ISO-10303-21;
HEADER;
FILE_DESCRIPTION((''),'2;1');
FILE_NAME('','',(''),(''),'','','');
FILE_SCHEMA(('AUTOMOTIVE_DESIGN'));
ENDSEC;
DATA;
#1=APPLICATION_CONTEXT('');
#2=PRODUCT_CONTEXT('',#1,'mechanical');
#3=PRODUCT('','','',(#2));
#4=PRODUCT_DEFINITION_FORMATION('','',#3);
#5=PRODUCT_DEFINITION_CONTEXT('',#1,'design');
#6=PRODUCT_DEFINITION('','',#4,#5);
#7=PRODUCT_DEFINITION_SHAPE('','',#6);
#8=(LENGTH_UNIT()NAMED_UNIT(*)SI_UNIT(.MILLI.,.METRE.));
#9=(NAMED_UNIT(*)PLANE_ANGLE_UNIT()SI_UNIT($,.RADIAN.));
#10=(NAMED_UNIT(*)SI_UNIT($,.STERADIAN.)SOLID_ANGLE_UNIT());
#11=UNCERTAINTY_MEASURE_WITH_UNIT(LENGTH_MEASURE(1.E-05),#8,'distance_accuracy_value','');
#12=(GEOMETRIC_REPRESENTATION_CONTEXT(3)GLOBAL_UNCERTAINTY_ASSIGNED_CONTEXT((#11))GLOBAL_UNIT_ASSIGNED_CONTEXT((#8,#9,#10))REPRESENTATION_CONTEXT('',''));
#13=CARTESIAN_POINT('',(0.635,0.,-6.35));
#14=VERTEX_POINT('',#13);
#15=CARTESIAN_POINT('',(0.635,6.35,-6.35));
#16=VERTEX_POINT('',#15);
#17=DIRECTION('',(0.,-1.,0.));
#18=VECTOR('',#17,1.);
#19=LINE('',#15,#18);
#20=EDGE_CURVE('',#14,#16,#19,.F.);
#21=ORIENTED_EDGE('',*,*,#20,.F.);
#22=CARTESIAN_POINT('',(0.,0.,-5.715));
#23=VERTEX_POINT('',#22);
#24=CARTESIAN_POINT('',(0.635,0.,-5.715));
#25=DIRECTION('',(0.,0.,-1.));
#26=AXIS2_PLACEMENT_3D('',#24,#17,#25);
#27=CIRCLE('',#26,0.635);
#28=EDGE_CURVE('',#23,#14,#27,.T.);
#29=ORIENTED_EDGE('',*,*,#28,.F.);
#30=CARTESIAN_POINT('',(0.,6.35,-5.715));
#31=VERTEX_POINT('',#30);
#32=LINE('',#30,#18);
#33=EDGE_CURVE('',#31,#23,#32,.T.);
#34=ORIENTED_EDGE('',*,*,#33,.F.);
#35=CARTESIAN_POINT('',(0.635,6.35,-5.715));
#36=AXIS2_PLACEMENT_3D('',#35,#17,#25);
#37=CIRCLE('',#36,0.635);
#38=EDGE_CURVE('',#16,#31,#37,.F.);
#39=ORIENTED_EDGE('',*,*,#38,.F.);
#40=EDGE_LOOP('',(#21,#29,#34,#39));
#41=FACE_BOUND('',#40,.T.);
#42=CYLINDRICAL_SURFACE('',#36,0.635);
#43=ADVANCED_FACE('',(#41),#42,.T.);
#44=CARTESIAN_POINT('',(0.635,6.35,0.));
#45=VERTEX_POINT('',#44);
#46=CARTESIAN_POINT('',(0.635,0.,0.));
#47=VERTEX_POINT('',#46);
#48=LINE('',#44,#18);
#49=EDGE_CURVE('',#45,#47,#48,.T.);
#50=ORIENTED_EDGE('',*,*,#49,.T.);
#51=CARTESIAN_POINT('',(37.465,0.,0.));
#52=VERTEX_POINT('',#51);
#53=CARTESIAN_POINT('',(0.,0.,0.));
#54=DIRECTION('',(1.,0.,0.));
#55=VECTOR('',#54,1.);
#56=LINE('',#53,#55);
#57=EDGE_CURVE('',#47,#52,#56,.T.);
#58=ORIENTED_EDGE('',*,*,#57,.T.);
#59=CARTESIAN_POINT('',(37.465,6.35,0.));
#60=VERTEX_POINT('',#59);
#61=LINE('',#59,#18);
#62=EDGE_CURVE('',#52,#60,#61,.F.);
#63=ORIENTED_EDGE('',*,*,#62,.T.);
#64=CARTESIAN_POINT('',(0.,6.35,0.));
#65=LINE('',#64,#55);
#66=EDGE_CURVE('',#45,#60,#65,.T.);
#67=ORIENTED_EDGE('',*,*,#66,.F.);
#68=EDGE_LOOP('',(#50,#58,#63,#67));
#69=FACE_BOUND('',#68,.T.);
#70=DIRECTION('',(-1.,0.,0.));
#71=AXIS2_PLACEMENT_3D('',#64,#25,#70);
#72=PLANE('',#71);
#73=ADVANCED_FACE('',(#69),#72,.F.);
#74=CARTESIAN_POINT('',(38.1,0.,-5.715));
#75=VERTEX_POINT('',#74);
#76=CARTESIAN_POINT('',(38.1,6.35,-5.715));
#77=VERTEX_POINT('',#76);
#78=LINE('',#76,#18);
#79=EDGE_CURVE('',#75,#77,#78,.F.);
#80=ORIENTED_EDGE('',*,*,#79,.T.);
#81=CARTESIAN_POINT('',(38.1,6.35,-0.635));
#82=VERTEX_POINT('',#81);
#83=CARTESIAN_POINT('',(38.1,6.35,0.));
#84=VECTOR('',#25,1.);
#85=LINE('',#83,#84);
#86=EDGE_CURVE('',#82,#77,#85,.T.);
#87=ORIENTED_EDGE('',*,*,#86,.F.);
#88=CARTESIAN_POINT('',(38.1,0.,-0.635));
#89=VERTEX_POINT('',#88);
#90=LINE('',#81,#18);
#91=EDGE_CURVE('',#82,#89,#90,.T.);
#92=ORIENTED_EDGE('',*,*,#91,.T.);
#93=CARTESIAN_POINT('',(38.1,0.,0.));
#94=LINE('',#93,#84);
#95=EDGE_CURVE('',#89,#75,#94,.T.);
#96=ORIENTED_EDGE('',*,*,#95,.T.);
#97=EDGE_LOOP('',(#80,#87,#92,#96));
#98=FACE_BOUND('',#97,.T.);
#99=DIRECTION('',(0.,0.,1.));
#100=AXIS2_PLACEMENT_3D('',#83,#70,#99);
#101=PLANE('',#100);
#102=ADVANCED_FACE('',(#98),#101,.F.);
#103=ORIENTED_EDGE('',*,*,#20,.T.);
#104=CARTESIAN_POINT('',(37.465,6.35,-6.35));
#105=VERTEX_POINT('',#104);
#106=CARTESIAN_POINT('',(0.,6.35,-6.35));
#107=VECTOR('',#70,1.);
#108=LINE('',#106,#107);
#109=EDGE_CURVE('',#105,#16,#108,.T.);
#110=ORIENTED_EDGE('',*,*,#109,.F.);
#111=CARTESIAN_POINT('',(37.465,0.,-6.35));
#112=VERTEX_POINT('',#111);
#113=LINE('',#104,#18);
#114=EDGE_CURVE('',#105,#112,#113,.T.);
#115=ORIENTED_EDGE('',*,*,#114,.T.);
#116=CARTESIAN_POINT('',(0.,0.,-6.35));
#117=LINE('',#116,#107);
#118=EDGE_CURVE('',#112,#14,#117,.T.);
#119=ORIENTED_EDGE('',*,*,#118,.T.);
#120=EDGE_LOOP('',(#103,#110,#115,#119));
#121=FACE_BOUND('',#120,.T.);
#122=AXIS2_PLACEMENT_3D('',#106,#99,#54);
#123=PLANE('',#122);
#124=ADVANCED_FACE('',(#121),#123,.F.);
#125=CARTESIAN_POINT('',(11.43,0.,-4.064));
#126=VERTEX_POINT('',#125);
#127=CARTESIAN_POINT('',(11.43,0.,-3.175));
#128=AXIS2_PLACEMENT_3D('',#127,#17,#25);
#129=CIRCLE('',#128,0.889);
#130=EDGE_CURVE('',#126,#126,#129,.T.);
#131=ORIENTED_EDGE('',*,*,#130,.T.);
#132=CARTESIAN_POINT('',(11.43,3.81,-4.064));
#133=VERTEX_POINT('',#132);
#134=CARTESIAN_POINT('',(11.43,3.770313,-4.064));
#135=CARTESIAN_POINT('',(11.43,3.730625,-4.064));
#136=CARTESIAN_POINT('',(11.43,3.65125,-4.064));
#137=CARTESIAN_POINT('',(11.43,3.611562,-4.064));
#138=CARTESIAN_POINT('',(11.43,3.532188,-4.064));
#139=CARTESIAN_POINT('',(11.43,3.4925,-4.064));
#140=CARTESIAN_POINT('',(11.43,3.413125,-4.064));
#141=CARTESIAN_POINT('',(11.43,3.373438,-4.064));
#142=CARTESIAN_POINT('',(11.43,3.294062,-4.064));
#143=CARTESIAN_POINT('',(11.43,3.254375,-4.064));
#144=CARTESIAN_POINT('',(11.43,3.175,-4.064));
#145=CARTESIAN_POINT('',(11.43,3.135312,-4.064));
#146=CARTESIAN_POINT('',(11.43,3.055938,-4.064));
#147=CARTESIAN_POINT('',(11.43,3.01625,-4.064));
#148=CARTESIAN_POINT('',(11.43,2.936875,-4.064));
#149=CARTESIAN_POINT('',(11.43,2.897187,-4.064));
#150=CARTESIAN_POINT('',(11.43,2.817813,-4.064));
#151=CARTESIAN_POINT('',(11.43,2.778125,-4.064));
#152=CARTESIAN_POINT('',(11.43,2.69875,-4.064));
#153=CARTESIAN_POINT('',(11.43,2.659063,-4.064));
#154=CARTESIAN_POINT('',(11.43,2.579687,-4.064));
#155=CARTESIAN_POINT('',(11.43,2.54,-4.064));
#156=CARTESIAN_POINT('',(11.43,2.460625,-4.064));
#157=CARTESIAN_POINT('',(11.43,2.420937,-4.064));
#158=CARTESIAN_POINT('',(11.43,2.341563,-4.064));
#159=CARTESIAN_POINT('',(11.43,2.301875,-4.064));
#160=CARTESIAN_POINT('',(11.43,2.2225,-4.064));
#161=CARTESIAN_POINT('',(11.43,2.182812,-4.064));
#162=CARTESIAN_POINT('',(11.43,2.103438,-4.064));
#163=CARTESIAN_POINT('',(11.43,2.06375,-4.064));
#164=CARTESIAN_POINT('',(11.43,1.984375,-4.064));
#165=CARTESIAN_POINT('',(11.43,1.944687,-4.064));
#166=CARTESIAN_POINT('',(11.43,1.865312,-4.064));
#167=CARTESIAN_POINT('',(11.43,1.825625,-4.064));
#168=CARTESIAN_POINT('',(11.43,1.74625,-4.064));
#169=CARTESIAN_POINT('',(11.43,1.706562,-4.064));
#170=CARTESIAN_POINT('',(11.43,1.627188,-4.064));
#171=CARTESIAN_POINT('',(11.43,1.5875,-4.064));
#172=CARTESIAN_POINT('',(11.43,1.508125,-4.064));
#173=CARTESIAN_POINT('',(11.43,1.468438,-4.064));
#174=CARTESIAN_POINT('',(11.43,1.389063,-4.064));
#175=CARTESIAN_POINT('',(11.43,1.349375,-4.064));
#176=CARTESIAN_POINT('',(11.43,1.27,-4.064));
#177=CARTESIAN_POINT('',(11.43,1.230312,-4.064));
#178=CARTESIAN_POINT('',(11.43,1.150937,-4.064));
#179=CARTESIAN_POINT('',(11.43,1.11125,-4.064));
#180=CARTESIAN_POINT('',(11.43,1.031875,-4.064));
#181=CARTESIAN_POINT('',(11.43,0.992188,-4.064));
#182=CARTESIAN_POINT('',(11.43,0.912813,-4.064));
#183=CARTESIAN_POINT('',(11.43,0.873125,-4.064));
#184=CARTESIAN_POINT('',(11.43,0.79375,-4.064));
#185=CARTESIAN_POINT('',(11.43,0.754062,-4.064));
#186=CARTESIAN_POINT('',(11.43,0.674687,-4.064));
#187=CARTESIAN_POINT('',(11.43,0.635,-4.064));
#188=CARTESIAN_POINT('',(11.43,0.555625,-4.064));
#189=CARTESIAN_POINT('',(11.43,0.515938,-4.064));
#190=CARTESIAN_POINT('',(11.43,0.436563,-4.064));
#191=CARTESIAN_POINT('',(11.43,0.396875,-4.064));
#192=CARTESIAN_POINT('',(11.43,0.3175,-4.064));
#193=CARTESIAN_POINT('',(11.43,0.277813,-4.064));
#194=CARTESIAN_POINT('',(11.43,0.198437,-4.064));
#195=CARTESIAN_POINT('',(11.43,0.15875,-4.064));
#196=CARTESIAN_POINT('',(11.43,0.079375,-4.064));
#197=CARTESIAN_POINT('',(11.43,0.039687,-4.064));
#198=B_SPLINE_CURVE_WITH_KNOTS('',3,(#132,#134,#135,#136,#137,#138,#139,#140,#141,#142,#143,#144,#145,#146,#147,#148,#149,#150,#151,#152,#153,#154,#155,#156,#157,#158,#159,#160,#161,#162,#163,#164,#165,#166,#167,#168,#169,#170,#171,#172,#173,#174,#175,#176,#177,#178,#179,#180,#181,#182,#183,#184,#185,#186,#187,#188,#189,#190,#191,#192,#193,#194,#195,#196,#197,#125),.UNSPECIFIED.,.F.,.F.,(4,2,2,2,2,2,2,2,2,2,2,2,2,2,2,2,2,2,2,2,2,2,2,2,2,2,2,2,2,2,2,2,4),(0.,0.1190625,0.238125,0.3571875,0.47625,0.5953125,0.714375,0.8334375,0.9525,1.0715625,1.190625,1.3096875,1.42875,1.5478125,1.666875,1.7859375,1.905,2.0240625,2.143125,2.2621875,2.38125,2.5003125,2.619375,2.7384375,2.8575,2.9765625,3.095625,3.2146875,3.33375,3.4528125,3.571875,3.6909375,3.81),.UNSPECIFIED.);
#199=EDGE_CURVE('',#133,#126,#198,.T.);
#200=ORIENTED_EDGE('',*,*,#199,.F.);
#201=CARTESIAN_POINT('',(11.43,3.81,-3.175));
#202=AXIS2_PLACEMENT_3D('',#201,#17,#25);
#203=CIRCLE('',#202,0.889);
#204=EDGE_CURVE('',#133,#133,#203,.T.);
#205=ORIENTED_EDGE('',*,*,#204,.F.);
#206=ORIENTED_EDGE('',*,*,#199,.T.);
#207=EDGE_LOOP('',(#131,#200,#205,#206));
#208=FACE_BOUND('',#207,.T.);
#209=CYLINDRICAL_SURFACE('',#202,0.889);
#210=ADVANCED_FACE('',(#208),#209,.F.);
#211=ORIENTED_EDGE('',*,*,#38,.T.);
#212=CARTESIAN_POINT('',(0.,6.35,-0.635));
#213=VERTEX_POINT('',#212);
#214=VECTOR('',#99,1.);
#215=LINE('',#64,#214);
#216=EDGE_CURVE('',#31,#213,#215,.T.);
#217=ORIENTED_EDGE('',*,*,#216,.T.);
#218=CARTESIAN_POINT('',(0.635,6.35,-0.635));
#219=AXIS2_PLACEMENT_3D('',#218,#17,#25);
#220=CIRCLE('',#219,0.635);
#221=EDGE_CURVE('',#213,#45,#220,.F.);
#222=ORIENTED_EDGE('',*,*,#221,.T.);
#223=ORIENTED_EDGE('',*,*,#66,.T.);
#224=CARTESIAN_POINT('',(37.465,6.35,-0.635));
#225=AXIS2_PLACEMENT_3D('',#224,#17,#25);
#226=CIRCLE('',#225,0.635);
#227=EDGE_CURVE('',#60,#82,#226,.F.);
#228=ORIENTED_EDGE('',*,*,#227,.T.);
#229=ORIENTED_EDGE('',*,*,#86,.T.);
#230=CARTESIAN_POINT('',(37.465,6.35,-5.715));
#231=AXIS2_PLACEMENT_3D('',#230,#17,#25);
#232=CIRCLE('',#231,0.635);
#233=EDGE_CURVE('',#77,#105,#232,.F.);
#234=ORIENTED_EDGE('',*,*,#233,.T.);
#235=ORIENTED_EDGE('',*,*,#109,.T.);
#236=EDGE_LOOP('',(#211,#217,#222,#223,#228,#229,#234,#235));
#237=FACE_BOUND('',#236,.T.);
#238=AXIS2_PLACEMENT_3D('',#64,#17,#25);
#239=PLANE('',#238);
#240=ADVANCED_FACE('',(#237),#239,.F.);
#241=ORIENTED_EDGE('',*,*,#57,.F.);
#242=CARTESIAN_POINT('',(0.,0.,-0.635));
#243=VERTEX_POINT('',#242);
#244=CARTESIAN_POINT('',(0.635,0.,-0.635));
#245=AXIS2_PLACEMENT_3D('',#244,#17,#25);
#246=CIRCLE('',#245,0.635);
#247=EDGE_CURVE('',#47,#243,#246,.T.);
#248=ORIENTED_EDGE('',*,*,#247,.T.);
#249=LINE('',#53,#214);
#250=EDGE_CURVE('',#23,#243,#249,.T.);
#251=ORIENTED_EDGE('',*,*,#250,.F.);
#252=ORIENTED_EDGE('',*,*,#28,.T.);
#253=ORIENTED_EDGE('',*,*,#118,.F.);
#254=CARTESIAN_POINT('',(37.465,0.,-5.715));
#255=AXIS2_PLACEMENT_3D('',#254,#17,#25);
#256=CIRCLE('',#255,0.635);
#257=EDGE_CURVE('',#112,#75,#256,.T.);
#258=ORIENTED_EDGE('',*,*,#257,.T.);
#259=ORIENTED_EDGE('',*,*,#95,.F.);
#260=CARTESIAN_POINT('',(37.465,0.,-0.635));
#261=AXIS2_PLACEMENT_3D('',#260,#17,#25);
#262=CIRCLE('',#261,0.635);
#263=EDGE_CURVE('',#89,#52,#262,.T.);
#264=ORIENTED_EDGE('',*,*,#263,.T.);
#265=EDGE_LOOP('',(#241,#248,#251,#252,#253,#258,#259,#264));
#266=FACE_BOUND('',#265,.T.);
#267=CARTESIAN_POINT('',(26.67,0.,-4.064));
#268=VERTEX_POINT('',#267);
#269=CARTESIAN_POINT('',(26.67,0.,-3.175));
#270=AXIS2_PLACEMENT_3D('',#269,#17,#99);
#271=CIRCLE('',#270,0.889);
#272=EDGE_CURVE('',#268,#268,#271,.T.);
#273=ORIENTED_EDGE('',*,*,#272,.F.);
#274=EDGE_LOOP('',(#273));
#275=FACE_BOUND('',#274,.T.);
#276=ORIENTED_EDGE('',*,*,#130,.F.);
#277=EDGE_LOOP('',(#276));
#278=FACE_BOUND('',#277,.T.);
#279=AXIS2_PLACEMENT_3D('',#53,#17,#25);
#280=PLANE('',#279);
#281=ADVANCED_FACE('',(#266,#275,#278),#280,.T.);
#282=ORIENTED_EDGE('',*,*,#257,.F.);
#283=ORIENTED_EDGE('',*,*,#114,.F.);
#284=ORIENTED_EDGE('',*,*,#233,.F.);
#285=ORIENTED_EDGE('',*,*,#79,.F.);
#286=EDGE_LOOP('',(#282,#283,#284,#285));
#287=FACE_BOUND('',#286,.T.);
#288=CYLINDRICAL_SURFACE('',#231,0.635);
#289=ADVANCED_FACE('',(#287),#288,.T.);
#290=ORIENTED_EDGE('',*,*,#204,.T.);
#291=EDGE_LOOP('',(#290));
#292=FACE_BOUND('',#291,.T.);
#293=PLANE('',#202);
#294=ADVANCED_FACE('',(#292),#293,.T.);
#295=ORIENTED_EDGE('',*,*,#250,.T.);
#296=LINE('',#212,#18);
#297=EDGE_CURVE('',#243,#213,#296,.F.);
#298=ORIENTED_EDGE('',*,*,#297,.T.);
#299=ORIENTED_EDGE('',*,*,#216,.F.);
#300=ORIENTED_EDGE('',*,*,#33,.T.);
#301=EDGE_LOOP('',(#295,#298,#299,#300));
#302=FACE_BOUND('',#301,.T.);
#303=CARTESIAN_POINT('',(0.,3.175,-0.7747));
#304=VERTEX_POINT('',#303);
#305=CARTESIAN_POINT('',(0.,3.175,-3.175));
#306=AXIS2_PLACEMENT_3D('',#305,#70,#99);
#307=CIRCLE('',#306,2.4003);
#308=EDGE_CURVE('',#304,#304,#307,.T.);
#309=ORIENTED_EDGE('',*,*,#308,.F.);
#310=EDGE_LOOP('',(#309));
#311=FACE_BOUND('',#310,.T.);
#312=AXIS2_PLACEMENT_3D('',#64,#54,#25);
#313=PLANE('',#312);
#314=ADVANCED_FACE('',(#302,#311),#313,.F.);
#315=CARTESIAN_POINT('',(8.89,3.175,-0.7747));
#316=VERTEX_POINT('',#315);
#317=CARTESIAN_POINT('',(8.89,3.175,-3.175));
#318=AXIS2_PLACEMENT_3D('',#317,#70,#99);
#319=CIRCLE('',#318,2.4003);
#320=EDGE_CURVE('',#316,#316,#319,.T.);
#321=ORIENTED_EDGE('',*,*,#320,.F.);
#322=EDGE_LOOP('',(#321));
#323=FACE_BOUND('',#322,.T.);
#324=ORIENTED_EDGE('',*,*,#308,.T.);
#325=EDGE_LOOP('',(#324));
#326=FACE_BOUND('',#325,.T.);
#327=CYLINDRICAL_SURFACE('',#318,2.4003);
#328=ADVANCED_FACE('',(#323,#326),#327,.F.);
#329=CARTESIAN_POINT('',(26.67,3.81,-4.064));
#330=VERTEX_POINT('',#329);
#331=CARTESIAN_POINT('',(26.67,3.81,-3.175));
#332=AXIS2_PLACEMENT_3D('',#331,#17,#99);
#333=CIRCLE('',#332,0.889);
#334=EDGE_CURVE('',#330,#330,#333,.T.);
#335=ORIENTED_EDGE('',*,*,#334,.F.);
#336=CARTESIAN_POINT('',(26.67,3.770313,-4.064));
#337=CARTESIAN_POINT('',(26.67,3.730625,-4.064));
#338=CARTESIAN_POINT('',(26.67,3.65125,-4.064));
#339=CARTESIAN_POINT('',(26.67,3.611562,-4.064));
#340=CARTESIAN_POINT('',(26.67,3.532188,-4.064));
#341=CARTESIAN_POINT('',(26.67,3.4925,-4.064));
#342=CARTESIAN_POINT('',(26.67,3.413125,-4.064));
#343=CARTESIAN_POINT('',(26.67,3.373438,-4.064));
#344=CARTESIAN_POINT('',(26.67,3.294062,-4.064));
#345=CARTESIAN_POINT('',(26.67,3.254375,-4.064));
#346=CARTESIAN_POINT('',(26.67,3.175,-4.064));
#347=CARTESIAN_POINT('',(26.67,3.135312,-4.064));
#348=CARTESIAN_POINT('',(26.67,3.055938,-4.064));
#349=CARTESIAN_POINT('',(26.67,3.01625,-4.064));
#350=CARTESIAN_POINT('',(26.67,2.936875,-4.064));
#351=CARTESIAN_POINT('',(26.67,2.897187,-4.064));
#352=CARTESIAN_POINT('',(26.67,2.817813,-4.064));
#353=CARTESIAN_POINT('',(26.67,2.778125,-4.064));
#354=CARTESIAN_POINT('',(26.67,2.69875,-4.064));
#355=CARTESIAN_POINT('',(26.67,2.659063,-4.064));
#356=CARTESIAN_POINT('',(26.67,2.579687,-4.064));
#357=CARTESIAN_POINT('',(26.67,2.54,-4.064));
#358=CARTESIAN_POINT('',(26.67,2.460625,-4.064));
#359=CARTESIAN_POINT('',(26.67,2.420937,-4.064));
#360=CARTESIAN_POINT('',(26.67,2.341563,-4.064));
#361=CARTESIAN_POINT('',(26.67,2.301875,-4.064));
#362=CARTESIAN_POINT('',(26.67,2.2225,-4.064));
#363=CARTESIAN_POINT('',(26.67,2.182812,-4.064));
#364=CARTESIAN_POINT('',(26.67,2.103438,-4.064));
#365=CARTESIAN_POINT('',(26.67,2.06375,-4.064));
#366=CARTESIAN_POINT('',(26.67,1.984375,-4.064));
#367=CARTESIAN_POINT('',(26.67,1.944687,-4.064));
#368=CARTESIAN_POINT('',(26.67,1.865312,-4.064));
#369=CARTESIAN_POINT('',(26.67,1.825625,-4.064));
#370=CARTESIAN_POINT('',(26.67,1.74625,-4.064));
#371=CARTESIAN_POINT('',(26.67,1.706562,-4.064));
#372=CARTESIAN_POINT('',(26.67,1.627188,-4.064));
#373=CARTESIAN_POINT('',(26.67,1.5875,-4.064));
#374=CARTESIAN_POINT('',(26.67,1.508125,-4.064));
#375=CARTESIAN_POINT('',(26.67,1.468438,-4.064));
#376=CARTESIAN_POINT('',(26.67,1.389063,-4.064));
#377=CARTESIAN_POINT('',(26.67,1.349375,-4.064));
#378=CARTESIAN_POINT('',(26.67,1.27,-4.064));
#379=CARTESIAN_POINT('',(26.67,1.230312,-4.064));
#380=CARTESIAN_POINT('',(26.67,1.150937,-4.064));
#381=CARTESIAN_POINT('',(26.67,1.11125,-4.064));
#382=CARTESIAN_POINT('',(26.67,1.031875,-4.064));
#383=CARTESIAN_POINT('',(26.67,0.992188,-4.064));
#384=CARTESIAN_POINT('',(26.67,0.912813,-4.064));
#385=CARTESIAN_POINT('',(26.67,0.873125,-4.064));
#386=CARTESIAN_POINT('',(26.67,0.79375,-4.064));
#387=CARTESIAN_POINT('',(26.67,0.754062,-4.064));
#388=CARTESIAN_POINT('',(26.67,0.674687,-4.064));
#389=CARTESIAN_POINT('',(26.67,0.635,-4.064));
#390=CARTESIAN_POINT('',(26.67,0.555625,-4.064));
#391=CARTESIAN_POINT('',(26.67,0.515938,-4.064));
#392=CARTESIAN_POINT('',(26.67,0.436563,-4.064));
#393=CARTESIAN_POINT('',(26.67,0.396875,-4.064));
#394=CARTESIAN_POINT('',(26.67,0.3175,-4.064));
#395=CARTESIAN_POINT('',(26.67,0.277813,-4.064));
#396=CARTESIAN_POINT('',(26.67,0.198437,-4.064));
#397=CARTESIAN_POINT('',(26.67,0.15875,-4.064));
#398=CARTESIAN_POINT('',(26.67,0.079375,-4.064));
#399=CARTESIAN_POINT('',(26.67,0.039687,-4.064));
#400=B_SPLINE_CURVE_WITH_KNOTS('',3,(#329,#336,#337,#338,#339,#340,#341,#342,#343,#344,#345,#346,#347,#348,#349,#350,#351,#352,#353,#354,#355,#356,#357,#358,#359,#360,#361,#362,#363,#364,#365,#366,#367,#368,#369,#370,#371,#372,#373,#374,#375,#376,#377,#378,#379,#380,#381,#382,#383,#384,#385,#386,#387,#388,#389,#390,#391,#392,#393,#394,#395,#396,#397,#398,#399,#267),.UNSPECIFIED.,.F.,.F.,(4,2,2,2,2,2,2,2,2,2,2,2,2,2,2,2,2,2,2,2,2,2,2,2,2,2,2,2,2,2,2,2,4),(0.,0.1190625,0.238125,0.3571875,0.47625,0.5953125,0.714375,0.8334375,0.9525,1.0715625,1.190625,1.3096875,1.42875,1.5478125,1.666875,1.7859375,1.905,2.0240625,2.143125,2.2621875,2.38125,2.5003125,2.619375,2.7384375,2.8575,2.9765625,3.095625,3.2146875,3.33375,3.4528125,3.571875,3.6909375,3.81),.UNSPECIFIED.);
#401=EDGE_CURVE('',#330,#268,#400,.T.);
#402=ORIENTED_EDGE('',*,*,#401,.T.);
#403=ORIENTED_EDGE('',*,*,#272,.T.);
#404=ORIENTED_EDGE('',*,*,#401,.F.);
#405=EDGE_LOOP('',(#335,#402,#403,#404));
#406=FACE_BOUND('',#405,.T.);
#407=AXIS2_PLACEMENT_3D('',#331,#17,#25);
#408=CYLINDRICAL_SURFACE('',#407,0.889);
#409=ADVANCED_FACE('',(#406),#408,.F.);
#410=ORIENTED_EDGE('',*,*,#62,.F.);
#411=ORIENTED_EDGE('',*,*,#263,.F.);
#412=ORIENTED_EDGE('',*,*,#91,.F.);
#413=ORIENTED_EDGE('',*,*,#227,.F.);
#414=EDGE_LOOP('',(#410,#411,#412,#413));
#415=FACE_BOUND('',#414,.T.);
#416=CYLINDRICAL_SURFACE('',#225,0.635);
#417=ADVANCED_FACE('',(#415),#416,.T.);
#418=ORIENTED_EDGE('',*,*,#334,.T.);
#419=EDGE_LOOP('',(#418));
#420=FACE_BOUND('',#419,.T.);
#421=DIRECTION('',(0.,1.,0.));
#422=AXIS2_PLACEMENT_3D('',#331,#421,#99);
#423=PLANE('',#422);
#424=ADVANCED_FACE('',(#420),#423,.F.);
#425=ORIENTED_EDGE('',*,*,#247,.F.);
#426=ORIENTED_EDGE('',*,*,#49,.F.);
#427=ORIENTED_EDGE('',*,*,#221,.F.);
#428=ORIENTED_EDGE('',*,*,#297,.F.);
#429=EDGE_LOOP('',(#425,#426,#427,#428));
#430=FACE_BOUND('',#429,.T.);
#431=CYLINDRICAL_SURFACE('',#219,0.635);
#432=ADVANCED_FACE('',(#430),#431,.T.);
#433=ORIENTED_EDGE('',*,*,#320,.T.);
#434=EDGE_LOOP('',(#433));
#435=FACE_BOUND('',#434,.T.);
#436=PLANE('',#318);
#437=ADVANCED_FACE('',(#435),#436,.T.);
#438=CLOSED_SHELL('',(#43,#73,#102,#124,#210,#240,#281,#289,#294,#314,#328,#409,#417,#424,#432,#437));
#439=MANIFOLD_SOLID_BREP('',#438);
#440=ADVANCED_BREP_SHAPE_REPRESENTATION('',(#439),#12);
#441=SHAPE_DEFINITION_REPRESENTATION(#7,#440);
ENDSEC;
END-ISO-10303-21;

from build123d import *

# Parameters (mm, degrees)
SKETCH1_W           = 38.1
SKETCH1_H           = 6.35
BOSS_EXTRUDE1_DEPTH = 6.35
SKETCH2_R           = 2.4003
CUT_EXTRUDE1_DEPTH  = 8.89
FILLET1_R           = 0.635
SKETCH3_R           = 0.889
CUT_EXTRUDE2_DEPTH  = 3.81


with BuildPart() as part:
    # Sketch1 → Boss-Extrude1 (new body)
    with BuildSketch(Plane(origin=(0, 0, 0), x_dir=(1, 0, 0), z_dir=(0, 1, 0))):
        with Locations((19.05, 3.175)):
            Rectangle(SKETCH1_W, SKETCH1_H)
    extrude(amount=BOSS_EXTRUDE1_DEPTH)

    # Sketch2 → Cut-Extrude1 (cut)
    with BuildSketch(Plane.ZY):
        with Locations((-3.175, 3.175)):
            Circle(SKETCH2_R)
    extrude(amount=-CUT_EXTRUDE1_DEPTH, mode=Mode.SUBTRACT)

    # Fillet1
    fillet1_edges = [part.edges().sort_by_distance(p)[0] for p in [
        (0, 3.175, -6.35),
        (38.1, 3.175, -6.35),
        (38.1, 3.175, 0),
        (0, 3.175, 0),
    ]]
    fillet(fillet1_edges, radius=FILLET1_R)

    # Sketch3 → Cut-Extrude2 (cut)
    with BuildSketch(Plane.XZ):
        with Locations(Location((11.43, -3.175, 0), (0, 0, 270))):
            Circle(SKETCH3_R)
        with Locations(Location((26.67, -3.175, 0), (0, 0, 270))):
            Circle(SKETCH3_R)
    extrude(amount=-CUT_EXTRUDE2_DEPTH, mode=Mode.SUBTRACT)


solid = part.part
